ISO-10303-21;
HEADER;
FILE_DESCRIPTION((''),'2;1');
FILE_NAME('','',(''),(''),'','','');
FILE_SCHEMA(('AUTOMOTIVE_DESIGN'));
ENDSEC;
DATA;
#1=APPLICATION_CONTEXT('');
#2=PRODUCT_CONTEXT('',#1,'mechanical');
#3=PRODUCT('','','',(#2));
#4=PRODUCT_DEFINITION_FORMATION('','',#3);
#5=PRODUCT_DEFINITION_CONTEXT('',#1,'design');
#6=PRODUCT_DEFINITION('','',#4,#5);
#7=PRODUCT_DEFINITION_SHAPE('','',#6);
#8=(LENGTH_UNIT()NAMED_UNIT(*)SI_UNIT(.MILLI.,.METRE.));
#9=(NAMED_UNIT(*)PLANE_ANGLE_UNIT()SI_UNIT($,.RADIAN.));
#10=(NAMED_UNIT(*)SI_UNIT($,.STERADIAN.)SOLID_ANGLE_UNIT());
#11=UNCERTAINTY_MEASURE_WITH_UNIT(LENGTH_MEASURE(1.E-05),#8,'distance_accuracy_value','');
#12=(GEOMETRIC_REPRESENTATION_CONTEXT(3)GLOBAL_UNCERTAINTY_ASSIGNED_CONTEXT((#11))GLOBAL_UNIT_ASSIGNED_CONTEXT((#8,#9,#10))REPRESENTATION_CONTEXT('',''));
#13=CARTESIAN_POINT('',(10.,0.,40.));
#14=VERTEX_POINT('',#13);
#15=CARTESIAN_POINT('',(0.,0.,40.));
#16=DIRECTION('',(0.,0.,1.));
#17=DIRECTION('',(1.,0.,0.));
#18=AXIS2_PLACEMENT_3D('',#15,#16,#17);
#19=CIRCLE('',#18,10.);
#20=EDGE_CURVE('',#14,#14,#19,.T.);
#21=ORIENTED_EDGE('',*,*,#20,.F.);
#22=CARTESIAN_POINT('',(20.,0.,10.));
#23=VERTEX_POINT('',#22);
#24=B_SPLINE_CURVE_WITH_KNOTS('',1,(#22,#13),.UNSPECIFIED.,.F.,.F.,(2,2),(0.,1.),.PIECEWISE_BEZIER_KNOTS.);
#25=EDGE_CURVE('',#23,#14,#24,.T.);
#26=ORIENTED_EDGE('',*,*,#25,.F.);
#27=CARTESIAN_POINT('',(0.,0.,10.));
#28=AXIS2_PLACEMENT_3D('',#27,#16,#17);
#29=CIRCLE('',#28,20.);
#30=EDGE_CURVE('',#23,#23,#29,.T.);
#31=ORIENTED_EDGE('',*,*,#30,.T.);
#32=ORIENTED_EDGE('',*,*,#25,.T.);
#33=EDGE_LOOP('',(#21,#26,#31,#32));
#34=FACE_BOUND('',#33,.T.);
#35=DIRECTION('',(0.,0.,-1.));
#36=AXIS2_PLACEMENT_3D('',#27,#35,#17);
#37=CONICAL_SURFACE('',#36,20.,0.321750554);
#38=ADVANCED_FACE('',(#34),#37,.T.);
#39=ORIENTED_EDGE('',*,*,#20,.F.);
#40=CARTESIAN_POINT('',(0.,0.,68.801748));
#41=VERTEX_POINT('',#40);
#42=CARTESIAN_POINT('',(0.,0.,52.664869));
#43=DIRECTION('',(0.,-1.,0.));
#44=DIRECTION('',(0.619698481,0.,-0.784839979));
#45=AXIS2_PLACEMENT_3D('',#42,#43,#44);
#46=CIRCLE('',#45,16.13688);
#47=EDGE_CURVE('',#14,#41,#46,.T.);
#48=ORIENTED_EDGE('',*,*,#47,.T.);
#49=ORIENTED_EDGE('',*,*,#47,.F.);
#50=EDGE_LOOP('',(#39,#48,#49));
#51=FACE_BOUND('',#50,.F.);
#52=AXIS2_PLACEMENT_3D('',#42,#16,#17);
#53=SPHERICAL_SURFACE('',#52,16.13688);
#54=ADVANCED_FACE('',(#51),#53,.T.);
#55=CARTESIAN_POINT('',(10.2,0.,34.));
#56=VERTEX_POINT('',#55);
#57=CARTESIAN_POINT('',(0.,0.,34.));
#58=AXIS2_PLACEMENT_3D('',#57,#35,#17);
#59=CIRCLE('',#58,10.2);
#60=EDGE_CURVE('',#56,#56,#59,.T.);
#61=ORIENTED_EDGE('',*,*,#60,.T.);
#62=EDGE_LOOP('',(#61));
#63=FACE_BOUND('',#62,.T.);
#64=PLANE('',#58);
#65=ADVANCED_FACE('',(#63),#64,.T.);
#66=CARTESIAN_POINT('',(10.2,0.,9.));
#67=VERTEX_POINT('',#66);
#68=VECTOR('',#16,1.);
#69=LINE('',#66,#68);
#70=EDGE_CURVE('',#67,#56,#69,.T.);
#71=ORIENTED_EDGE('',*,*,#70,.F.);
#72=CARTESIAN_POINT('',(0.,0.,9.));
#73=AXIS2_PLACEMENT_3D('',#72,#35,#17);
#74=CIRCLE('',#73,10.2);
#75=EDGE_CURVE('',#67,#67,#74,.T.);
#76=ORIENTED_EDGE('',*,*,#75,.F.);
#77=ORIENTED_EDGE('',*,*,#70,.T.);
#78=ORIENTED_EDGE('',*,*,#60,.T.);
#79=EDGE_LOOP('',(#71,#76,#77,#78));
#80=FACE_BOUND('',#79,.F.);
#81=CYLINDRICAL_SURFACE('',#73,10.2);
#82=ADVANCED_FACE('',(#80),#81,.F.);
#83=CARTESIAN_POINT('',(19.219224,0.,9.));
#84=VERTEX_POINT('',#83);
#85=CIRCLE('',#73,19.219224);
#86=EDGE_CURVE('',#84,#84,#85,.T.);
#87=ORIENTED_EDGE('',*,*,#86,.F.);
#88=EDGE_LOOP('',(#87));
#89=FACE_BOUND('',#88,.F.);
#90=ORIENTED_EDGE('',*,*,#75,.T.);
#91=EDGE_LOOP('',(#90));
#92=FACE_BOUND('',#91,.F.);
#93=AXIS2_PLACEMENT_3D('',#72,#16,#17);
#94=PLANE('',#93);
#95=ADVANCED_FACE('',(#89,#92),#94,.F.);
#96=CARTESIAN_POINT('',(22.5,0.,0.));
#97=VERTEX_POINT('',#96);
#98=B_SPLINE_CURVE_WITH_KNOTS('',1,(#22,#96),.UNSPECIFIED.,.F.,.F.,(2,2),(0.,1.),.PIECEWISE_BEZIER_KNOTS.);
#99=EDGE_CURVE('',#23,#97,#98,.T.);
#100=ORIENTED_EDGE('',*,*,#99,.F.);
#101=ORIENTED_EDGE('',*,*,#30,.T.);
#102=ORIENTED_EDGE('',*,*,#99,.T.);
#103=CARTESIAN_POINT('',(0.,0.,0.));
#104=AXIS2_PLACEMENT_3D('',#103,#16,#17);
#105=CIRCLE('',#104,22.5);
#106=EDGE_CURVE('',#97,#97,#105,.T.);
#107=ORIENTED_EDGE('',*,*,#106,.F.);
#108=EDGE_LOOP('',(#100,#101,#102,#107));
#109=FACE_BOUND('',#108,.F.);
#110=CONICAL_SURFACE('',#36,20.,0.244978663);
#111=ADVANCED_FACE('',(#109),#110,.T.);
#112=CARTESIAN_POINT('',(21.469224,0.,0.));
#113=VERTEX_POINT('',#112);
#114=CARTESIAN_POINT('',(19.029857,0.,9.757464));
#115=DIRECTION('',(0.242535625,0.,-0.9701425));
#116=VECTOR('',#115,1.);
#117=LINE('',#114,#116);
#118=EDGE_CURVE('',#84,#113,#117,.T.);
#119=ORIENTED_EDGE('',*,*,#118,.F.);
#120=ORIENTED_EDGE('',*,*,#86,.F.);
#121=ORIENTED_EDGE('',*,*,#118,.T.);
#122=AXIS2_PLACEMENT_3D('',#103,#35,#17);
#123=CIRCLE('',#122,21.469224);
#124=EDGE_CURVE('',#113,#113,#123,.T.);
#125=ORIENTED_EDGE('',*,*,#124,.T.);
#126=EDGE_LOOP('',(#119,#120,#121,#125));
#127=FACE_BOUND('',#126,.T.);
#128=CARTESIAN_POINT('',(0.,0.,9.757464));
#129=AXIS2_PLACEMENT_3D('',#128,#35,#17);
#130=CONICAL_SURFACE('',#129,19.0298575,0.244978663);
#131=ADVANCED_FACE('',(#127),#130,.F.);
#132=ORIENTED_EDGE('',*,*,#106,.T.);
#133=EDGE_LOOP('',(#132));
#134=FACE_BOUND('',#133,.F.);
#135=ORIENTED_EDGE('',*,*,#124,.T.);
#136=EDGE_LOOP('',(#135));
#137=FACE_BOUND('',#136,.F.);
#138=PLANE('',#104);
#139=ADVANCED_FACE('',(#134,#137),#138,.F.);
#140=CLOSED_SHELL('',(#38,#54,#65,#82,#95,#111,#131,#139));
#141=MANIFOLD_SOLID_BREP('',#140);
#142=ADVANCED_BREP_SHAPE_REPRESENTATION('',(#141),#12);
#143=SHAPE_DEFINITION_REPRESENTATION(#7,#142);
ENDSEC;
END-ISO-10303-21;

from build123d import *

# Parameters (mm, degrees)
F2_R      = 20
F0_R      = 22.5
F4_T      = -1
F5_R      = 20
F7_R      = 10
F9_R      = 10.2
F10_DEPTH = 25


with BuildPart() as f3:
    # F2 (on offset) → F3 section 0
    with BuildSketch(Plane.XY.offset(10)):
        Circle(F2_R)
    # F0 (on Top) → F3 section 1
    with BuildSketch(Plane.XY):
        Circle(F0_R)
    loft()

    # F4
    f4_openings = [f3.faces().sort_by_distance(p)[0] for p in [
        (0, 0, 0),
    ]]
    offset(amount=F4_T, openings=f4_openings, kind=Kind.INTERSECTION)

    # F5 (on face) → F8 section 0
    with BuildSketch(Plane.XY.offset(10)):
        Circle(F5_R)
    # F7 (on offset) → F8 section 1
    with BuildSketch(Plane.XY.offset(40)):
        Circle(F7_R)
    loft()

    # F9 (on face) → F10 (cut)
    with BuildSketch(Plane(origin=(0, 0, 9), x_dir=(1, 0, 0), z_dir=(0, 0, -1))):
        Circle(F9_R)
    extrude(amount=-F10_DEPTH, mode=Mode.SUBTRACT)

    # F11 (on Front) → F12 (revolve)
    with BuildSketch(Plane.XZ):
        with BuildLine():
            Line((0, 68.8017484976), (0, 40))
            Line((0, 40), (10, 40))
            ThreePointArc((10, 40), (15.2441850924, 57.9576670224), (0, 68.8017484976))
        make_face()
    revolve(axis=Axis((0, 0, 56.8208959699), (0, 0, -1)))


solid = f3.part
